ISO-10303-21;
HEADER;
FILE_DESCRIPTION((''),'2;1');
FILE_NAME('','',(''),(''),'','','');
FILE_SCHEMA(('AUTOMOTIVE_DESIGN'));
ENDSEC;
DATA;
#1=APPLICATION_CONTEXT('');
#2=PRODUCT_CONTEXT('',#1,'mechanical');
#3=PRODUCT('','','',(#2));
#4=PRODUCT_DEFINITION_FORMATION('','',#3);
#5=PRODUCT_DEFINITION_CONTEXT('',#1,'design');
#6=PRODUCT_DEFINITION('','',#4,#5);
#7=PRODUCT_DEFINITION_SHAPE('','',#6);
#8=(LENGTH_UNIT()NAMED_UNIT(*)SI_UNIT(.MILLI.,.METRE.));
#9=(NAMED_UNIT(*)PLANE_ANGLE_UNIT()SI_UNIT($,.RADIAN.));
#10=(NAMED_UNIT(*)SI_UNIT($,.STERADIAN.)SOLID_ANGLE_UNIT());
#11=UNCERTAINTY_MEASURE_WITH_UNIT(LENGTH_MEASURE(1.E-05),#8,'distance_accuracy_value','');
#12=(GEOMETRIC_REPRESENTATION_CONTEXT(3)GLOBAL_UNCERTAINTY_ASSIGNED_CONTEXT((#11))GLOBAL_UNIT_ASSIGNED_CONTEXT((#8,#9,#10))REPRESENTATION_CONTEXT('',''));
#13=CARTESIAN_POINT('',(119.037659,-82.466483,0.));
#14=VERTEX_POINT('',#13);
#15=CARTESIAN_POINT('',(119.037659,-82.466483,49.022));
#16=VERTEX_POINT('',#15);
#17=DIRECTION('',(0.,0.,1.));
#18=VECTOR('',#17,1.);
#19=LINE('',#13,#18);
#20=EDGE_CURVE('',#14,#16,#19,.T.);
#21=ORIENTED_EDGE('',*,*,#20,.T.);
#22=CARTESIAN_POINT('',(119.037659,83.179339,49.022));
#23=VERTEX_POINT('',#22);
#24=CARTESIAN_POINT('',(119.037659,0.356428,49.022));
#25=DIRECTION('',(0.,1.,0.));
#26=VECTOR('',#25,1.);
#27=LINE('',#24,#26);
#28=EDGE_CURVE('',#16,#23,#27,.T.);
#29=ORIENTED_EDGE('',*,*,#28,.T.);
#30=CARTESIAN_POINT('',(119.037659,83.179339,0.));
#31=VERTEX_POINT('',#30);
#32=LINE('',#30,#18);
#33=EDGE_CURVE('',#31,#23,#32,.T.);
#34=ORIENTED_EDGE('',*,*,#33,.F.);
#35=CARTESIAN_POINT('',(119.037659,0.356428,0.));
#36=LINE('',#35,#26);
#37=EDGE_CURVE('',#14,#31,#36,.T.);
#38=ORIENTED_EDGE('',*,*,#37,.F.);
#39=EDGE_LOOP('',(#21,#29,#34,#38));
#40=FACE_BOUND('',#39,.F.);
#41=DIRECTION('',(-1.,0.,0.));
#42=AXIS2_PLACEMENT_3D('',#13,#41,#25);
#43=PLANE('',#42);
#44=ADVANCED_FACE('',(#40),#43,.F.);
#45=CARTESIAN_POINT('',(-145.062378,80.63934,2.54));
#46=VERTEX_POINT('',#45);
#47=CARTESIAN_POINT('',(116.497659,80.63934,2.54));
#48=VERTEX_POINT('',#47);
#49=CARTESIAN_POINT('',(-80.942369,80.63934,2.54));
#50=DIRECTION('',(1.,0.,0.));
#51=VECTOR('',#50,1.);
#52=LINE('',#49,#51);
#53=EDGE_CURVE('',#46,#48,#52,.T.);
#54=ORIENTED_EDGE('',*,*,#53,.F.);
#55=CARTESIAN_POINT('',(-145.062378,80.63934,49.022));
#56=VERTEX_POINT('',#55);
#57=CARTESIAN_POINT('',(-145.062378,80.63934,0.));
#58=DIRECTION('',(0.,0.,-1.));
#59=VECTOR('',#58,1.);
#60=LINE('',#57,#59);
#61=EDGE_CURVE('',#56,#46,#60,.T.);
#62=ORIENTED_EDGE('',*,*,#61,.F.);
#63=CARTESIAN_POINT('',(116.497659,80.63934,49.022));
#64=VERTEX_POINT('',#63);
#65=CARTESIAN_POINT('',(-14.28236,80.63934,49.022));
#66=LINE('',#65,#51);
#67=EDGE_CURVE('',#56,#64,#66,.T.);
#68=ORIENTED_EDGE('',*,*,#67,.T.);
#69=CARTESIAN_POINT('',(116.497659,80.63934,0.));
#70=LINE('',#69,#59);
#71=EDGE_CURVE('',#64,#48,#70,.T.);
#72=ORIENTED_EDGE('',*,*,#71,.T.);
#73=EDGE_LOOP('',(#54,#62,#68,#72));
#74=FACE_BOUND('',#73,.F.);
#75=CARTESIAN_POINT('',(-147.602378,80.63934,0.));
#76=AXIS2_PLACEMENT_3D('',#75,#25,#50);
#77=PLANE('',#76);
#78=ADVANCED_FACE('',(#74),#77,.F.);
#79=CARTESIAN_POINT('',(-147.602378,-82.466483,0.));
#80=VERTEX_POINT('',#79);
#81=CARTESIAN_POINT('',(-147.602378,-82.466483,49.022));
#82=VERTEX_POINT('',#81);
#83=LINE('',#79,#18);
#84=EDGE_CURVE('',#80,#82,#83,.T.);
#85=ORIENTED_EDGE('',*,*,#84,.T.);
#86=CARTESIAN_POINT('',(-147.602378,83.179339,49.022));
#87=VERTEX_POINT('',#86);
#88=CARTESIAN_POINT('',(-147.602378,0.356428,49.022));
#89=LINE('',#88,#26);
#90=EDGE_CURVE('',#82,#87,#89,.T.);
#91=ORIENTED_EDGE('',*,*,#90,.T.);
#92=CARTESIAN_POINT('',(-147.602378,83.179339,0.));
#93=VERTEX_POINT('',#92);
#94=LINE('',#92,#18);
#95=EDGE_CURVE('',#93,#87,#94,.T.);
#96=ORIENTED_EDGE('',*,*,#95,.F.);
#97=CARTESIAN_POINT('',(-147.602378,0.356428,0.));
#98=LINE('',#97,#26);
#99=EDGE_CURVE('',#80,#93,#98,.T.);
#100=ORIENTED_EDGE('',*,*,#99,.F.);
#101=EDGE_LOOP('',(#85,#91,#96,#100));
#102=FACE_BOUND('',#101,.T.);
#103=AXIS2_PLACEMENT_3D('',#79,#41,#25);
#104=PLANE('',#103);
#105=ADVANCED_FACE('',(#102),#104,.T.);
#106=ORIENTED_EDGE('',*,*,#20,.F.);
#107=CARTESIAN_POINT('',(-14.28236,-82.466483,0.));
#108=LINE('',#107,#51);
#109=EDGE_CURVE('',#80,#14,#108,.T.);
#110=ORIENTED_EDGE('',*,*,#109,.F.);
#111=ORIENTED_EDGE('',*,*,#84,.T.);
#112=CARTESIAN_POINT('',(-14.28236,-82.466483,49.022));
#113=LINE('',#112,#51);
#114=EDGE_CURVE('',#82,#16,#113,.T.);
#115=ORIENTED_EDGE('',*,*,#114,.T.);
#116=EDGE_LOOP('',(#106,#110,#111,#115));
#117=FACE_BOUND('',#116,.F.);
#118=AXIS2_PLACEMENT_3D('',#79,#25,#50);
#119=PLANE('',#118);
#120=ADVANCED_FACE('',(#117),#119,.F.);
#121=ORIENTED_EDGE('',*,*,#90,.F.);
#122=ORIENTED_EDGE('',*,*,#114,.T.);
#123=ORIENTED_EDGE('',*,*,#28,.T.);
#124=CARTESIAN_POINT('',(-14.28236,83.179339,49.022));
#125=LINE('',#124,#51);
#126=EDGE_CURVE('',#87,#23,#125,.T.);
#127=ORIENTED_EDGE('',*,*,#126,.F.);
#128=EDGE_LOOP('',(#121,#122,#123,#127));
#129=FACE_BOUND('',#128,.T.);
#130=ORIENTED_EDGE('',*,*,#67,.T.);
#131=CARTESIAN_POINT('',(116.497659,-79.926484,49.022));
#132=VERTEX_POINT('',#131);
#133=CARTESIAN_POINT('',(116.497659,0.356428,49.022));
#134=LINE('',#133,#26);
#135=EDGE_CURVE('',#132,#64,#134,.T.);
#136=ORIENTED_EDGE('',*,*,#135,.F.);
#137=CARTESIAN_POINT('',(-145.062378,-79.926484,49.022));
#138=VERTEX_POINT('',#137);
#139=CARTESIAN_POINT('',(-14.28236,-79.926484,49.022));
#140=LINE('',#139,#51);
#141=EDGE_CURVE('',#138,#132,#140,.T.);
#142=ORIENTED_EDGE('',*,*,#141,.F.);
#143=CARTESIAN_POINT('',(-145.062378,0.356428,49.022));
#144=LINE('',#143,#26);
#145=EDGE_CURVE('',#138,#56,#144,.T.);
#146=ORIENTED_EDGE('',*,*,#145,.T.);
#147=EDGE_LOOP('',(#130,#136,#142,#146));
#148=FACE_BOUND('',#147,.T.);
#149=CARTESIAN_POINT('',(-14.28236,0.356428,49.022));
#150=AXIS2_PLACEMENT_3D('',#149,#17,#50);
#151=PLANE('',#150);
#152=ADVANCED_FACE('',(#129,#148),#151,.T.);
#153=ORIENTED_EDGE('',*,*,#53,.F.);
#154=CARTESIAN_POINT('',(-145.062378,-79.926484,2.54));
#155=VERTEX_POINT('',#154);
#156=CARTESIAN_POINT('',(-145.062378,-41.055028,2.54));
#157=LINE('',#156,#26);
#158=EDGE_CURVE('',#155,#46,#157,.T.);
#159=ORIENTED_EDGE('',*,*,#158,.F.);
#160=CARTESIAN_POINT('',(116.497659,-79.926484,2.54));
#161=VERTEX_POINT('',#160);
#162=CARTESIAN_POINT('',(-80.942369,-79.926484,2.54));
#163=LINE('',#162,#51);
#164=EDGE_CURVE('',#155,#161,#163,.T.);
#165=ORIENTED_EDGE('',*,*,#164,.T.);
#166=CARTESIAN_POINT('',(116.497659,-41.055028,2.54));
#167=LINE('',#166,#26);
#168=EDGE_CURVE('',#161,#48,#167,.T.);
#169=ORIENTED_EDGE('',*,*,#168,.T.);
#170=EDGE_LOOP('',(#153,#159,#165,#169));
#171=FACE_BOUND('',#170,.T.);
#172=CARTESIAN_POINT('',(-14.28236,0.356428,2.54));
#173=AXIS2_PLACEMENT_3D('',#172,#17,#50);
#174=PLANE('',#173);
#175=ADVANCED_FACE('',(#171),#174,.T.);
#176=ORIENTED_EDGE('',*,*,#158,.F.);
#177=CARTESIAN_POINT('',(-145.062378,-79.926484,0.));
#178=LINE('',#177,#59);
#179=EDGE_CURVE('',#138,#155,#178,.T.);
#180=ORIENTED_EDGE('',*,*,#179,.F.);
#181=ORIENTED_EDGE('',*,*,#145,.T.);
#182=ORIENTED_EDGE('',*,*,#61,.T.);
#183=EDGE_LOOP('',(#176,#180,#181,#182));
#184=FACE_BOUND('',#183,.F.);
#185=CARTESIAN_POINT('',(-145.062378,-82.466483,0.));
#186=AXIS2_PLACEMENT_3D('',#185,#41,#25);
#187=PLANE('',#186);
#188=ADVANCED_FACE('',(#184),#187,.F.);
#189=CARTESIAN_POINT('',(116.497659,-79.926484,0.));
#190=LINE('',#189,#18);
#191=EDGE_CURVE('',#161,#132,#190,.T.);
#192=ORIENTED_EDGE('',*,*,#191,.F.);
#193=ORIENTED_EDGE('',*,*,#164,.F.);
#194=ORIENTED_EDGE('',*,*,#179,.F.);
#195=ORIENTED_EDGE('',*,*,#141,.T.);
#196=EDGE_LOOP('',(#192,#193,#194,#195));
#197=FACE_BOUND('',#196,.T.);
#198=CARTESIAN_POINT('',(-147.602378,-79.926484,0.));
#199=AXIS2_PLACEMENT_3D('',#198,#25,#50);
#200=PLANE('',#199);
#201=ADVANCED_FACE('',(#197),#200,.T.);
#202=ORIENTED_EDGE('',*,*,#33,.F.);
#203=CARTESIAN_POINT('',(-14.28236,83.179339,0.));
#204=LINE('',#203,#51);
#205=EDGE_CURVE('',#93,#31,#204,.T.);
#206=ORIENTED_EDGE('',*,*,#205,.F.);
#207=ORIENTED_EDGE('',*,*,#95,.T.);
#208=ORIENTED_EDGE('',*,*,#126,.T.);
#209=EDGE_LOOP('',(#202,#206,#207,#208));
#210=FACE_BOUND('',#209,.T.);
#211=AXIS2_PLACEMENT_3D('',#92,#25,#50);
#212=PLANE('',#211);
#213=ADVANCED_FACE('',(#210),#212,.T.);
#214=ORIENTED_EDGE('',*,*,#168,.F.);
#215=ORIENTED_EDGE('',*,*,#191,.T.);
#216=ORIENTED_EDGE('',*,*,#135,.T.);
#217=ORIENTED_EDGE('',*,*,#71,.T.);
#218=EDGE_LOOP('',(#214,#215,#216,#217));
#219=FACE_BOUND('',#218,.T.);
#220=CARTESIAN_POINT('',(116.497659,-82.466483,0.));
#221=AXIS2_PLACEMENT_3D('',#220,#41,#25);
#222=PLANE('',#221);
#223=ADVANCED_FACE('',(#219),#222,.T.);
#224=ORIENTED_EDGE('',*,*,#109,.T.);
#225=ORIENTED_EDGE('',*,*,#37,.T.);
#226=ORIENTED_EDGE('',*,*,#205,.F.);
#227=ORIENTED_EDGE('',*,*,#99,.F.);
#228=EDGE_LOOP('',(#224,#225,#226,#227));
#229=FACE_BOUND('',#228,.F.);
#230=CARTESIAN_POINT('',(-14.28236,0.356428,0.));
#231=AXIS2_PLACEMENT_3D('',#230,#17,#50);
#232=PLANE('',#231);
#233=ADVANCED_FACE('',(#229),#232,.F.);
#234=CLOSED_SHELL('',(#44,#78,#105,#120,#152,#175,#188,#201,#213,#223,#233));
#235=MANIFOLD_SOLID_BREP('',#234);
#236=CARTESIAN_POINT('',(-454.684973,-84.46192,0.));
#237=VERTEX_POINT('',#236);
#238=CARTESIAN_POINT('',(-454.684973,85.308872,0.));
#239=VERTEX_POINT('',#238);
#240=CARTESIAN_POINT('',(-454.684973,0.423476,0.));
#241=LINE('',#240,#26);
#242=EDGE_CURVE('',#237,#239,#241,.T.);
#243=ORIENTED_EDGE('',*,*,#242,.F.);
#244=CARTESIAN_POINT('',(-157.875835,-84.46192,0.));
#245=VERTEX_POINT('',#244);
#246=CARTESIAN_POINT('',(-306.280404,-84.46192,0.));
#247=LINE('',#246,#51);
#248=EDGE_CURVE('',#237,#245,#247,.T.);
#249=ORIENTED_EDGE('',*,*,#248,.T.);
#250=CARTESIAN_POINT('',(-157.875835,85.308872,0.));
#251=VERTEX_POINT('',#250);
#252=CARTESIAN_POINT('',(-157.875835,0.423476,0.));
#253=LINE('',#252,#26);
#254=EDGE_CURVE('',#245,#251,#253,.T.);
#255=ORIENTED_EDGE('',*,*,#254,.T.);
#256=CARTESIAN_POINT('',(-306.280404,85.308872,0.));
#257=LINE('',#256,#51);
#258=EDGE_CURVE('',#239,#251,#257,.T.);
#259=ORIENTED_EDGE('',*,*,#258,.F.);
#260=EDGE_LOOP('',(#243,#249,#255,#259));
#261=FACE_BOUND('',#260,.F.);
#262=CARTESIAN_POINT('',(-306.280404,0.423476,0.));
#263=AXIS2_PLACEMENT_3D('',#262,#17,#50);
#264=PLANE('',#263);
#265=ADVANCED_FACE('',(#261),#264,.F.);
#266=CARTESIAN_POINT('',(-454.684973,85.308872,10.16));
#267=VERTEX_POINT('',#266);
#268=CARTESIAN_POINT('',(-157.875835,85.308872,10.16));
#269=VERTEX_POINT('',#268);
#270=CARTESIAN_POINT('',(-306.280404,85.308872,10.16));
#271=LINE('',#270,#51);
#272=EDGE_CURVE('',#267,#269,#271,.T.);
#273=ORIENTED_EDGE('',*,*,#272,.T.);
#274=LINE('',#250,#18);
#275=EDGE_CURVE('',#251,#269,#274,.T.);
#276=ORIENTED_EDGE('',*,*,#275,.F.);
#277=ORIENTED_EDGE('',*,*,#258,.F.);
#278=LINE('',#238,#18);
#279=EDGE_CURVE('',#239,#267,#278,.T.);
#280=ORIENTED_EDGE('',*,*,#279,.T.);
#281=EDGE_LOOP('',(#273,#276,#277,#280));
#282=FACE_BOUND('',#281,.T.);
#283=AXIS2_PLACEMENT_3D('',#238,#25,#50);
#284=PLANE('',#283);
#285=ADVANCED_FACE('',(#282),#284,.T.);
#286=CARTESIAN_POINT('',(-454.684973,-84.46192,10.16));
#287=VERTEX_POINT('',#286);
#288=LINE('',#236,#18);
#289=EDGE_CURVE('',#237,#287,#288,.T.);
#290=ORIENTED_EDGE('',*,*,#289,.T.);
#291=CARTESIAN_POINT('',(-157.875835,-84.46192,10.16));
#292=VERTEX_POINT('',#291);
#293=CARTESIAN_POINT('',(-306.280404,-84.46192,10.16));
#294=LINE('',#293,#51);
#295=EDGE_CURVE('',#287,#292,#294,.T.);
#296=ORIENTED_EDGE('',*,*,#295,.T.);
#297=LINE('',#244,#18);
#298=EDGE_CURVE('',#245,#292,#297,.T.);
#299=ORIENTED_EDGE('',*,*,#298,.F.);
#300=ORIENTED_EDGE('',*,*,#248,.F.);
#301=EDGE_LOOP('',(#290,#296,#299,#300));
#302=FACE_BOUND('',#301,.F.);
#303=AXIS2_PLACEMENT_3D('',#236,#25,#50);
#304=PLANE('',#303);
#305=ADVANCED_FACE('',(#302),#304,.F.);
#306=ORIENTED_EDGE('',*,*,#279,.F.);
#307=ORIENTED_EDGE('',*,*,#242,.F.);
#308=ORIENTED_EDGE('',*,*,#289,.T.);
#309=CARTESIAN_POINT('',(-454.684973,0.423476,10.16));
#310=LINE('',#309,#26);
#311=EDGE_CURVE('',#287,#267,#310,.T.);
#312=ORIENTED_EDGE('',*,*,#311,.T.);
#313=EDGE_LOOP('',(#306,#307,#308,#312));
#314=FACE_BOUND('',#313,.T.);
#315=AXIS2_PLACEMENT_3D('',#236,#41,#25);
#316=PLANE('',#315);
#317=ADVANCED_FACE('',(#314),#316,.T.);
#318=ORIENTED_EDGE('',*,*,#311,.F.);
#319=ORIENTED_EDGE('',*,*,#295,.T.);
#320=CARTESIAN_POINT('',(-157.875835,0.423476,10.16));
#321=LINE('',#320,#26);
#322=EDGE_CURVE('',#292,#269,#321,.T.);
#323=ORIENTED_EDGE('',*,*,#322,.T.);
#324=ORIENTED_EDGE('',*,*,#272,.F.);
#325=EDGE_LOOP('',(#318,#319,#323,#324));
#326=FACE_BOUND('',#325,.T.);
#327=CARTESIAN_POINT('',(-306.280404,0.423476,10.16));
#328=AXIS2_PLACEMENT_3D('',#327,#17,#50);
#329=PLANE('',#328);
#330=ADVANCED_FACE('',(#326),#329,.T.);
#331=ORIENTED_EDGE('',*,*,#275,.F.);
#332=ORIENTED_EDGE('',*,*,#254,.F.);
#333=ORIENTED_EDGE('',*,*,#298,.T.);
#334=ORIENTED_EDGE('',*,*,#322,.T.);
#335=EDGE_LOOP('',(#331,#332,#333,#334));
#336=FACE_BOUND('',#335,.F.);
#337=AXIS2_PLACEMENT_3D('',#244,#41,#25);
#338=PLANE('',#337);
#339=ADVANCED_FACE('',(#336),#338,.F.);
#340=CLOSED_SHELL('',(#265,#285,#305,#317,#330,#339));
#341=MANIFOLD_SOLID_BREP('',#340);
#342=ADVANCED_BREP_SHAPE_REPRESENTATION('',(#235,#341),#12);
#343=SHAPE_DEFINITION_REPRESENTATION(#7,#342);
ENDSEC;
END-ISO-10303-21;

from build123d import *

# Parameters (mm, degrees)
F0_W     = 266.640037
F0_H     = 165.645823
F1_DEPTH = 49.022
F2_W     = 296.809137
F2_H     = 169.770792
F3_DEPTH = 10.16
F4_T     = -2.54


with BuildPart() as f1:
    # F0 (on Top) → F1 (new body)
    with BuildSketch(Plane.XY):
        with Locations((-14.28236, 0.356428)):
            Rectangle(F0_W, F0_H)
    extrude(amount=F1_DEPTH)

    # F4
    f4_openings = [f1.faces().sort_by_distance(p)[0] for p in [
        (-14.282361, 0.356428, 49.022),
    ]]
    offset(amount=F4_T, openings=f4_openings)


with BuildPart() as f3:
    # F2 (on Top) → F3 (new body)
    with BuildSketch(Plane.XY):
        with Locations((-306.280404, 0.423476)):
            Rectangle(F2_W, F2_H)
    extrude(amount=F3_DEPTH)


solid = Compound([f1.part, f3.part])
